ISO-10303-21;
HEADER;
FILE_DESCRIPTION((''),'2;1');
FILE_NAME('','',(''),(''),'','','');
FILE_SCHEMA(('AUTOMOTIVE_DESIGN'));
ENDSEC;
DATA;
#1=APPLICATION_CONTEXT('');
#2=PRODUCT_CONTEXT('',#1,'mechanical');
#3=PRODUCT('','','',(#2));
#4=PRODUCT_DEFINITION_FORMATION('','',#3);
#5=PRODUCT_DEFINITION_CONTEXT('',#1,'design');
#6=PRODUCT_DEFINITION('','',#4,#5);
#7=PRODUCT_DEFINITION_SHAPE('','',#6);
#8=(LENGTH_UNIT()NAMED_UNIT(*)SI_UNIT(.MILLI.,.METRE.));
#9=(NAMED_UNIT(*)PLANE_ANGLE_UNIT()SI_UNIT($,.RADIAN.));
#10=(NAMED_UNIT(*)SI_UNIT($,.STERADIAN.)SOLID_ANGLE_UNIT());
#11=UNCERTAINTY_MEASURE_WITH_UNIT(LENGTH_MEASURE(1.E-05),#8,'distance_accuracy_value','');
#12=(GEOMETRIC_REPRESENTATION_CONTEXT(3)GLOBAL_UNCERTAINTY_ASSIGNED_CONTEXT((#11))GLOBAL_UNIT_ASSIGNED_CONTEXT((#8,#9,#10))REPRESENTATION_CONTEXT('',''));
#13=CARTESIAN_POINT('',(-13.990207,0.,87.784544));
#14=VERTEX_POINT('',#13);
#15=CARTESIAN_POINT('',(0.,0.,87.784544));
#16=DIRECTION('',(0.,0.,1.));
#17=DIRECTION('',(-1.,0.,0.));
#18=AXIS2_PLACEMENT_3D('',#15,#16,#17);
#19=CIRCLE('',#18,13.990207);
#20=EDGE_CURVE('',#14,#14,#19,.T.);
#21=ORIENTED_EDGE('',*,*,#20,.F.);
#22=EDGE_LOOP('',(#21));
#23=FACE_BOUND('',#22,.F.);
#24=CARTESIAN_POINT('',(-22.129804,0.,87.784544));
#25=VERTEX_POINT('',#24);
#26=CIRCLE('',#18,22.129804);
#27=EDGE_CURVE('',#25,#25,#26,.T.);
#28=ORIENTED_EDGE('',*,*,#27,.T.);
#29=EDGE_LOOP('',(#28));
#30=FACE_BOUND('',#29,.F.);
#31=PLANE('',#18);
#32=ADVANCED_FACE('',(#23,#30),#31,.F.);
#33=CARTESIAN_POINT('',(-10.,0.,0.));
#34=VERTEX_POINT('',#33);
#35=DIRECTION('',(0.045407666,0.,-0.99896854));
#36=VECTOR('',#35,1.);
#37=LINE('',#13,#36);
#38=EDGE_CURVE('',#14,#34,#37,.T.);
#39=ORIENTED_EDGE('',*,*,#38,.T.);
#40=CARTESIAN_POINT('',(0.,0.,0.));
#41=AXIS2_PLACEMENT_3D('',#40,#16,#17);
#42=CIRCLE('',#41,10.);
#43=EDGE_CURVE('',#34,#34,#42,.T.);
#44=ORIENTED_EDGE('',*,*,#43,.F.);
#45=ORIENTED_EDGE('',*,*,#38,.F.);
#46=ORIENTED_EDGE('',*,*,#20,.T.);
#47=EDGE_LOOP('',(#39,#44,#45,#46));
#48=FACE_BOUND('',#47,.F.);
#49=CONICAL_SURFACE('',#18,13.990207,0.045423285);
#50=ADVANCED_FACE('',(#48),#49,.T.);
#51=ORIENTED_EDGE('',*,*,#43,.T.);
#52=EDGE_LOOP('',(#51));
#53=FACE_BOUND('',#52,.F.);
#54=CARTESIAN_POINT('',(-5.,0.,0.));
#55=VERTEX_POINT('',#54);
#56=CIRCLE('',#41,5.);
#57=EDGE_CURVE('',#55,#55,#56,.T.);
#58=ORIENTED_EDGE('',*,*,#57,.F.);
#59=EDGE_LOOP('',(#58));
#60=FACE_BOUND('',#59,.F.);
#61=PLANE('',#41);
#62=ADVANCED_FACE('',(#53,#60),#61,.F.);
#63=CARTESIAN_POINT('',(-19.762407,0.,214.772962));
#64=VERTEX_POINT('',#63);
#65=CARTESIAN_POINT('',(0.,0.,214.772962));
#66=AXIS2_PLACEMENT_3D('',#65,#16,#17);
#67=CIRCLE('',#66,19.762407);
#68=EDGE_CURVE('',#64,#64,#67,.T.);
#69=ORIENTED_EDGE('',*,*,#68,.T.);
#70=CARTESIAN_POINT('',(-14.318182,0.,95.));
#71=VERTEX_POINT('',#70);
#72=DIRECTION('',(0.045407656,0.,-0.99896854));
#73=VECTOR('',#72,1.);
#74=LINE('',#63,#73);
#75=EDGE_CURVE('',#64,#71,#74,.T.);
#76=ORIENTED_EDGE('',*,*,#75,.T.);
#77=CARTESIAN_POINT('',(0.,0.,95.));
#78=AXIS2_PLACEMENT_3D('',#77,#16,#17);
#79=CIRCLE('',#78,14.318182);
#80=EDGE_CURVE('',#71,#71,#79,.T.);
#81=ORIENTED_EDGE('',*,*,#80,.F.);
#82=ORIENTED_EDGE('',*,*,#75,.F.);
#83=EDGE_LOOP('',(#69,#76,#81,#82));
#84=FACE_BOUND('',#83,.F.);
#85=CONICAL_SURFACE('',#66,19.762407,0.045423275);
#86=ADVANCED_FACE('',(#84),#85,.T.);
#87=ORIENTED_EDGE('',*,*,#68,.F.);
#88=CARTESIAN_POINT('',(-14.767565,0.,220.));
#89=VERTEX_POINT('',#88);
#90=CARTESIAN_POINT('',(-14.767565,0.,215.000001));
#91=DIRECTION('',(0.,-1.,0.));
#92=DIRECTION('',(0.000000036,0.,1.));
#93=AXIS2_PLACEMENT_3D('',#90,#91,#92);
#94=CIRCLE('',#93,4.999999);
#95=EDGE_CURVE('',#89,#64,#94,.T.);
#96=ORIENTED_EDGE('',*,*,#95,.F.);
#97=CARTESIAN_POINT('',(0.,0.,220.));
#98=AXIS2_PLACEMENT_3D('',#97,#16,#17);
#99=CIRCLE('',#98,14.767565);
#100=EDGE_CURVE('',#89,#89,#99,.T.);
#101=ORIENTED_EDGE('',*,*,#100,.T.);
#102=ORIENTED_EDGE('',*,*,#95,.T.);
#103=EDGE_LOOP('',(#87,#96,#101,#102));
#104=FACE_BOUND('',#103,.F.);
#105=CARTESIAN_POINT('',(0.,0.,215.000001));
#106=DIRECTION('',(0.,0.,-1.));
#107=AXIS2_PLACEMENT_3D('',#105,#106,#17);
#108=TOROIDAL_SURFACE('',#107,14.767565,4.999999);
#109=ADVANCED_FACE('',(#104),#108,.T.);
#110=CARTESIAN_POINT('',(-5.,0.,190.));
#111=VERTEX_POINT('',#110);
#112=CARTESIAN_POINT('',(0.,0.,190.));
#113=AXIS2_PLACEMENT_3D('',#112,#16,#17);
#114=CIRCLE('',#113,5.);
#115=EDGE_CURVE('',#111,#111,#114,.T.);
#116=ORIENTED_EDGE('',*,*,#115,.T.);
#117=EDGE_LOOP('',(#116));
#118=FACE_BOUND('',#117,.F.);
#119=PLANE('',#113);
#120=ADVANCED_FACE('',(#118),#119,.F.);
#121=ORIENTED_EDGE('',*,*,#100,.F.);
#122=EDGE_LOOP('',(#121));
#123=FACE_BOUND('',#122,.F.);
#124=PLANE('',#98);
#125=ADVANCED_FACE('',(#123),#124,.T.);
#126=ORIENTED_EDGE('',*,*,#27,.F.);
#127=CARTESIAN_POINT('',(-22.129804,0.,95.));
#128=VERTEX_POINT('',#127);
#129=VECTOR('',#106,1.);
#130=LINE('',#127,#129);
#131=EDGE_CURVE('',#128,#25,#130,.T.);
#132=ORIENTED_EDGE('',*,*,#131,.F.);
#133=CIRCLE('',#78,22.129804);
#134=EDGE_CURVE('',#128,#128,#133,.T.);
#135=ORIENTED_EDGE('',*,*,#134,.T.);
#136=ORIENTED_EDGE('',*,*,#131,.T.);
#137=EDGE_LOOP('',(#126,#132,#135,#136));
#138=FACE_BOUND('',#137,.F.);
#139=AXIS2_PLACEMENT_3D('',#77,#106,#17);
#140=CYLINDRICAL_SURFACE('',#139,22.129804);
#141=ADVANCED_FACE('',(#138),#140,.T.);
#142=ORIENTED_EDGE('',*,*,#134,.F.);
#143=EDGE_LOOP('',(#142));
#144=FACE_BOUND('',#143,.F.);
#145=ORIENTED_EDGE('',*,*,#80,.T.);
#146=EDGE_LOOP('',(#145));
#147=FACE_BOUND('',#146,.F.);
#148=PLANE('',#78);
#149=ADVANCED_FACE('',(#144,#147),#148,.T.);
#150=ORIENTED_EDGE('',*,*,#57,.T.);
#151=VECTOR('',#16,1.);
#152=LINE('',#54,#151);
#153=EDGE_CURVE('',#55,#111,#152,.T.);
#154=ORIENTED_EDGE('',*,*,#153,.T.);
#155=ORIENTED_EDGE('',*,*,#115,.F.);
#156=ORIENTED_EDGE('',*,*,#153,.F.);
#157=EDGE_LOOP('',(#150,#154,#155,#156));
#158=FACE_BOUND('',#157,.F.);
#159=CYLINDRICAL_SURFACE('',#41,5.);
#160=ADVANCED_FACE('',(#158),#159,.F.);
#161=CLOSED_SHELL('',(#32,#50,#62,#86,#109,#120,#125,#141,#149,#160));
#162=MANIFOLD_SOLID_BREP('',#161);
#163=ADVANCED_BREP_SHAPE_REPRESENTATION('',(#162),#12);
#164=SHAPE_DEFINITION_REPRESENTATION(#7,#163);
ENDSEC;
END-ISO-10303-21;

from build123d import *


with BuildPart() as f1:
    # F0 (on Front) → F1 (revolve)
    with BuildSketch(Plane.XZ):
        with BuildLine():
            Line((-10, 0), (-5, 0))
            Line((-5, 0), (-5, 87.784544))
            Line((-5, 87.784544), (-5, 95))
            Line((-5, 95), (-5, 190))
            Line((-5, 190), (0, 190))
            Line((0, 190), (0, 220))
            Line((0, 220), (-14.767565, 220))
            ThreePointArc((-14.767565, 220), (-18.382478, 218.454331), (-19.762407, 214.772962))
            Line((-19.762407, 214.772962), (-14.318182, 95))
            Line((-14.318182, 95), (-22.129804, 95))
            Line((-22.129804, 95), (-22.129804, 87.784544))
            Line((-22.129804, 87.784544), (-13.990207, 87.784544))
            Line((-13.990207, 87.784544), (-10, 0))
        make_face()
    revolve(axis=Axis((0, 0, 135.638863), (0, 0, 1)))


solid = f1.part
